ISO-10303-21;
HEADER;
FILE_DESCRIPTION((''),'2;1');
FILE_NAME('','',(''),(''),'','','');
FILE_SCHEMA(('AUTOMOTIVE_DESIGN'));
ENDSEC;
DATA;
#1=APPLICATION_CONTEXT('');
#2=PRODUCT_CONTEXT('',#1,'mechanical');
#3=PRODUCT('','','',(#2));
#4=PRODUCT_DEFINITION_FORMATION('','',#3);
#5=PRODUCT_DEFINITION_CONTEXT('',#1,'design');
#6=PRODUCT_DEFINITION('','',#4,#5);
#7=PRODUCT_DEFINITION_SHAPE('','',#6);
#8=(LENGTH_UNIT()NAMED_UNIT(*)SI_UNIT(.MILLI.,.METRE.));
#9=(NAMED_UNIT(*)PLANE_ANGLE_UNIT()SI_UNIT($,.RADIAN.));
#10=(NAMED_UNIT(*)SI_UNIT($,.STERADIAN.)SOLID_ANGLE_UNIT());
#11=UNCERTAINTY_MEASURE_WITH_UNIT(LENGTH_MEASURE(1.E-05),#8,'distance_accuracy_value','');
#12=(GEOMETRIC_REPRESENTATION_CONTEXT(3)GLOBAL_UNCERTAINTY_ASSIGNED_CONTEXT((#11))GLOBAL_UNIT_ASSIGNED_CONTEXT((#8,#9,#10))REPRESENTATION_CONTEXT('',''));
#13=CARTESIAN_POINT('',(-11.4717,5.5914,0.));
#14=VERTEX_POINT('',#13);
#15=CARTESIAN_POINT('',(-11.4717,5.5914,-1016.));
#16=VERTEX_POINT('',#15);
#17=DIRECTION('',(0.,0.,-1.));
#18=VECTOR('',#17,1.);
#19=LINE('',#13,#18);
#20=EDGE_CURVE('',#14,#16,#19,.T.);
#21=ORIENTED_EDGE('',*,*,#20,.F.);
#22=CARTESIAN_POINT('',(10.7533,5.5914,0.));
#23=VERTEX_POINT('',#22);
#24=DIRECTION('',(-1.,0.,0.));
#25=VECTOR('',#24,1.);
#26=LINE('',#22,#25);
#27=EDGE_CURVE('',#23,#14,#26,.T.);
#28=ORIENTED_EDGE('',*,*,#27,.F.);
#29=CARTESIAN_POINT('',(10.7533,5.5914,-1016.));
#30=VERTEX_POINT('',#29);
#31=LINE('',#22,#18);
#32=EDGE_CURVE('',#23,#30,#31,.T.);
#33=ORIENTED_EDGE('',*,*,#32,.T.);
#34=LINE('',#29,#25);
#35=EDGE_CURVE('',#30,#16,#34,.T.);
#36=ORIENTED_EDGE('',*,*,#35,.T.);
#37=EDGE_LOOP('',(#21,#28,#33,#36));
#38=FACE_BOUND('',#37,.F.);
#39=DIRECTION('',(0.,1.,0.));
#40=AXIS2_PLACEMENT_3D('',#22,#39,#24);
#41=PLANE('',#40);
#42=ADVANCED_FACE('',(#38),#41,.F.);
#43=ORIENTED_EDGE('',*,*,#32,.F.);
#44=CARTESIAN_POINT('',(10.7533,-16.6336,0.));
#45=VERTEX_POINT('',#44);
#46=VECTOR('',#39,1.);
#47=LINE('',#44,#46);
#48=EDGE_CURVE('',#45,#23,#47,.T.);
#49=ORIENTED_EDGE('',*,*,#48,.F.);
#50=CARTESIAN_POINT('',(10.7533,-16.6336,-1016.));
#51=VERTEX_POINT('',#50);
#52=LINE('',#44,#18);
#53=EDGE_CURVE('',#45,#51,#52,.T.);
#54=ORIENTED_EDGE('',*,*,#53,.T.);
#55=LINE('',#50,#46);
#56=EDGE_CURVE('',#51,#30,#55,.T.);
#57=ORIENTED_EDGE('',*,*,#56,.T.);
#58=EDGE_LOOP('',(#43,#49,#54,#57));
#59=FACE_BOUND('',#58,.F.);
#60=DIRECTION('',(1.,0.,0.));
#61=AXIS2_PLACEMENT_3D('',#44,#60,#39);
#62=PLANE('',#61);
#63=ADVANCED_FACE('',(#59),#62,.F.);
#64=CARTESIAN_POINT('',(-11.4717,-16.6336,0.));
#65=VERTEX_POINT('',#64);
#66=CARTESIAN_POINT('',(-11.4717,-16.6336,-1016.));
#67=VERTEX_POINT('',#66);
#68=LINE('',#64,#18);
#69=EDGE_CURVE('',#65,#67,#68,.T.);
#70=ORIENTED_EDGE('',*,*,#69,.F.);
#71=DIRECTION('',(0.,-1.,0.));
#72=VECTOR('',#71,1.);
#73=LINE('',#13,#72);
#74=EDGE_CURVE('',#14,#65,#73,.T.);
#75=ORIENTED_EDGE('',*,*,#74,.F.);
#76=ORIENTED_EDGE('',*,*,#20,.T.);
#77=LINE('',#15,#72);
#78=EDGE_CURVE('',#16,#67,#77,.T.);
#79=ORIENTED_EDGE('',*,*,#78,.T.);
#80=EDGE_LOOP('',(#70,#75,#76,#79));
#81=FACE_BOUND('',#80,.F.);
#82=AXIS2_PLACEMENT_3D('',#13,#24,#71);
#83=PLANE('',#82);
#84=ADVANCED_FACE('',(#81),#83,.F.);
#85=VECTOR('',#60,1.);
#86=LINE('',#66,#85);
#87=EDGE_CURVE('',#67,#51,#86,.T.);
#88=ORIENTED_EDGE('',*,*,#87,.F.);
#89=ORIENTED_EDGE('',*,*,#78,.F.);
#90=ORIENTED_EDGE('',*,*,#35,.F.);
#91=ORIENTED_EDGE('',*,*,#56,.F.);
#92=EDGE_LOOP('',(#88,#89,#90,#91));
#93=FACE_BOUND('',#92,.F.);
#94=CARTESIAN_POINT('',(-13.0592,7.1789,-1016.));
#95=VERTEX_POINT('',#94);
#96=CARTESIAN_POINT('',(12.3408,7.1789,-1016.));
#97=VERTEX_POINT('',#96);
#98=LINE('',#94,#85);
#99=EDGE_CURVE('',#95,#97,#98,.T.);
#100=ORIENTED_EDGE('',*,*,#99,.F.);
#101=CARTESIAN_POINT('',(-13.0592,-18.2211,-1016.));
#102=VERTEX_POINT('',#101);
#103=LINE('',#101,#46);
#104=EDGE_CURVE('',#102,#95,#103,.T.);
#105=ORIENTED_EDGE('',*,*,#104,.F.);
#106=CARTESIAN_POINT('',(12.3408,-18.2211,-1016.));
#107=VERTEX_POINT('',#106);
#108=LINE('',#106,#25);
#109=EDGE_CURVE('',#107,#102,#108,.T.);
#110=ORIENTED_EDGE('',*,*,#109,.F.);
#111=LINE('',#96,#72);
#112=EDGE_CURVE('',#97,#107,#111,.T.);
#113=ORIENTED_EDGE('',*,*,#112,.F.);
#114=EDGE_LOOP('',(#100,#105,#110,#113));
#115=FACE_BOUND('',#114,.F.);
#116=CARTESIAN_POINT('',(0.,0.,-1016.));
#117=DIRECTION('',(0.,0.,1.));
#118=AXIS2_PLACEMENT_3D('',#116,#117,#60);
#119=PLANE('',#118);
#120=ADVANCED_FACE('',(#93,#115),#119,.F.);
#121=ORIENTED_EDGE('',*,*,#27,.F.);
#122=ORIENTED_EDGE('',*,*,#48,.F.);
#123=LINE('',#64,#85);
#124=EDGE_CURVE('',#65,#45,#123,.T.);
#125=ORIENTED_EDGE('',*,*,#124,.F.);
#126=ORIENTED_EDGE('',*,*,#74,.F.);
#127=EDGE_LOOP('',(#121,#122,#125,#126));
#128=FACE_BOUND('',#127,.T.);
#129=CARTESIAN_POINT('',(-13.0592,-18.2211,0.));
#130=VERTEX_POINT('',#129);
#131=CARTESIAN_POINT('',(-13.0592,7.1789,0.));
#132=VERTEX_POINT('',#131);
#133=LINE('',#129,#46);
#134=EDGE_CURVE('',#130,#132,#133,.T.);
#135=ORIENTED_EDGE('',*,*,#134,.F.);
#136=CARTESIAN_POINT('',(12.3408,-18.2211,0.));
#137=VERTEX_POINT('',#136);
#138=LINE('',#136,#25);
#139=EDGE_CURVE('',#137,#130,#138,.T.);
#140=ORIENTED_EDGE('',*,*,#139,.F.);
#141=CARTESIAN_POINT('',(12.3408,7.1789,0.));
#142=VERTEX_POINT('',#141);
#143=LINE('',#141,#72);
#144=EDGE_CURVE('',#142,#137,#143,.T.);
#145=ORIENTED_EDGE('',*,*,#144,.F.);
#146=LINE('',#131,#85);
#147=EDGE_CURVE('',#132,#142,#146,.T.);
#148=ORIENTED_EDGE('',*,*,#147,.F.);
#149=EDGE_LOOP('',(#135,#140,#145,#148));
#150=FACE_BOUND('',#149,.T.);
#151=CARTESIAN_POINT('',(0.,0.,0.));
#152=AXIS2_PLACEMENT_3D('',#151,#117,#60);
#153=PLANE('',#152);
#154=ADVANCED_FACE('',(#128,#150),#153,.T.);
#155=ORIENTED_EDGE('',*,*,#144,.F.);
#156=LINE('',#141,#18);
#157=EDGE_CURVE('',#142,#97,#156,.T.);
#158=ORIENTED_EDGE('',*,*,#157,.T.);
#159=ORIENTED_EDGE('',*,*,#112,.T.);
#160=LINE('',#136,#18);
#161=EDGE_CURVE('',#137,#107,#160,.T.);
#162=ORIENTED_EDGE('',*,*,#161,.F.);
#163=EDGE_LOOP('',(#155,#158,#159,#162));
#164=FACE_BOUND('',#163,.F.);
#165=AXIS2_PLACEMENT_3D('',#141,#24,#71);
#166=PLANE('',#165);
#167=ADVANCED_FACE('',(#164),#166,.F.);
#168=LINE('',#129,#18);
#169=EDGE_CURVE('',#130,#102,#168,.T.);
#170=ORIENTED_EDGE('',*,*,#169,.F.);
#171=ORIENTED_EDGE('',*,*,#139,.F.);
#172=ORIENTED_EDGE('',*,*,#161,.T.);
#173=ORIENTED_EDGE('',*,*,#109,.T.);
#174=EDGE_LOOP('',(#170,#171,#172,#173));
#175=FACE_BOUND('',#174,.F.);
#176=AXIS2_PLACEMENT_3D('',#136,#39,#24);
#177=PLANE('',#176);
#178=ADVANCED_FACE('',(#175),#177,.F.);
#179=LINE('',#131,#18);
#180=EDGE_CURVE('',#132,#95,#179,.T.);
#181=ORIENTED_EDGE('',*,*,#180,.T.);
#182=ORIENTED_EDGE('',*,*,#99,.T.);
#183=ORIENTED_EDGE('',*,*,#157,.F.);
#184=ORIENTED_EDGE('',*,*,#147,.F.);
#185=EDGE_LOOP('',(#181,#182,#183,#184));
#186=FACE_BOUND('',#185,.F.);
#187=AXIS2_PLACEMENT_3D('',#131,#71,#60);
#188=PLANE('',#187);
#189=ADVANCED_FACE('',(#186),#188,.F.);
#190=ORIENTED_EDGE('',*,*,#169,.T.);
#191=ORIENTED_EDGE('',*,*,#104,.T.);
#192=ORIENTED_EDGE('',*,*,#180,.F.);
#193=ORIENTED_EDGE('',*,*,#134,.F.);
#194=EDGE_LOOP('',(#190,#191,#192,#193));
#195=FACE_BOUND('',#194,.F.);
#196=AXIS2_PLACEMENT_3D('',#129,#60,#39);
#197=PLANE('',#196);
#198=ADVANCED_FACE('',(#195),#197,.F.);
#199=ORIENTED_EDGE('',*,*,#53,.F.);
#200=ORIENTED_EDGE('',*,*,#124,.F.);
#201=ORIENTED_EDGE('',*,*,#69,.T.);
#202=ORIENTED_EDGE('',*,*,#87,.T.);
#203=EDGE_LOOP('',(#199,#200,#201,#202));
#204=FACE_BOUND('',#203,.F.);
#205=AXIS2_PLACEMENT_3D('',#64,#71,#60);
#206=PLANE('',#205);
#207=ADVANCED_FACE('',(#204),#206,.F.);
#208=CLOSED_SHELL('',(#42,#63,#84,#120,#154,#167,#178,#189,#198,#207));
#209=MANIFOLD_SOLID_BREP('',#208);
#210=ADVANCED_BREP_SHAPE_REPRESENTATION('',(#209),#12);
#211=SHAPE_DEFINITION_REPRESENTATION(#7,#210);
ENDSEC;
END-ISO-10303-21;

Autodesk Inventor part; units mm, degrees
ref_plane "YZ Plane" through (0, 0, 0) normal (1, 0, 0) x (0, 1, 0)
ref_plane "XZ Plane" through (0, 0, 0) normal (0, 1, 0) x (-1, 0, 0)
ref_plane "XY Plane" through (0, 0, 0) normal (0, 0, 1) x (1, 0, 0)
sketch "Sketch1" plane through (0, 0, 0) normal (0, 0, 1) x (1, 0, 0)
  line L0 (-13.0592, 7.1789) -> (12.3408, 7.1789)
  line L1 (12.3408, 7.1789) -> (12.3408, -18.2211)
  line L2 (12.3408, -18.2211) -> (-13.0592, -18.2211)
  line L3 (-13.0592, -18.2211) -> (-13.0592, 7.1789)
  line L4 (10.7533, 5.5914) -> (-11.4717, 5.5914)
  line L5 (-11.4717, 5.5914) -> (-11.4717, -16.6336)
  line L6 (-11.4717, -16.6336) -> (10.7533, -16.6336)
  line L7 (10.7533, -16.6336) -> (10.7533, 5.5914)
  point P0 (0, 0)
  dimension "d0" = 25.4
  dimension "d1" = 25.4
  dimension "d2" = 1.5875
extrude "Extrusion1" add sketch "Sketch1" against normal blind 1016
properties part number "40 inch extruded alluminum tube"
